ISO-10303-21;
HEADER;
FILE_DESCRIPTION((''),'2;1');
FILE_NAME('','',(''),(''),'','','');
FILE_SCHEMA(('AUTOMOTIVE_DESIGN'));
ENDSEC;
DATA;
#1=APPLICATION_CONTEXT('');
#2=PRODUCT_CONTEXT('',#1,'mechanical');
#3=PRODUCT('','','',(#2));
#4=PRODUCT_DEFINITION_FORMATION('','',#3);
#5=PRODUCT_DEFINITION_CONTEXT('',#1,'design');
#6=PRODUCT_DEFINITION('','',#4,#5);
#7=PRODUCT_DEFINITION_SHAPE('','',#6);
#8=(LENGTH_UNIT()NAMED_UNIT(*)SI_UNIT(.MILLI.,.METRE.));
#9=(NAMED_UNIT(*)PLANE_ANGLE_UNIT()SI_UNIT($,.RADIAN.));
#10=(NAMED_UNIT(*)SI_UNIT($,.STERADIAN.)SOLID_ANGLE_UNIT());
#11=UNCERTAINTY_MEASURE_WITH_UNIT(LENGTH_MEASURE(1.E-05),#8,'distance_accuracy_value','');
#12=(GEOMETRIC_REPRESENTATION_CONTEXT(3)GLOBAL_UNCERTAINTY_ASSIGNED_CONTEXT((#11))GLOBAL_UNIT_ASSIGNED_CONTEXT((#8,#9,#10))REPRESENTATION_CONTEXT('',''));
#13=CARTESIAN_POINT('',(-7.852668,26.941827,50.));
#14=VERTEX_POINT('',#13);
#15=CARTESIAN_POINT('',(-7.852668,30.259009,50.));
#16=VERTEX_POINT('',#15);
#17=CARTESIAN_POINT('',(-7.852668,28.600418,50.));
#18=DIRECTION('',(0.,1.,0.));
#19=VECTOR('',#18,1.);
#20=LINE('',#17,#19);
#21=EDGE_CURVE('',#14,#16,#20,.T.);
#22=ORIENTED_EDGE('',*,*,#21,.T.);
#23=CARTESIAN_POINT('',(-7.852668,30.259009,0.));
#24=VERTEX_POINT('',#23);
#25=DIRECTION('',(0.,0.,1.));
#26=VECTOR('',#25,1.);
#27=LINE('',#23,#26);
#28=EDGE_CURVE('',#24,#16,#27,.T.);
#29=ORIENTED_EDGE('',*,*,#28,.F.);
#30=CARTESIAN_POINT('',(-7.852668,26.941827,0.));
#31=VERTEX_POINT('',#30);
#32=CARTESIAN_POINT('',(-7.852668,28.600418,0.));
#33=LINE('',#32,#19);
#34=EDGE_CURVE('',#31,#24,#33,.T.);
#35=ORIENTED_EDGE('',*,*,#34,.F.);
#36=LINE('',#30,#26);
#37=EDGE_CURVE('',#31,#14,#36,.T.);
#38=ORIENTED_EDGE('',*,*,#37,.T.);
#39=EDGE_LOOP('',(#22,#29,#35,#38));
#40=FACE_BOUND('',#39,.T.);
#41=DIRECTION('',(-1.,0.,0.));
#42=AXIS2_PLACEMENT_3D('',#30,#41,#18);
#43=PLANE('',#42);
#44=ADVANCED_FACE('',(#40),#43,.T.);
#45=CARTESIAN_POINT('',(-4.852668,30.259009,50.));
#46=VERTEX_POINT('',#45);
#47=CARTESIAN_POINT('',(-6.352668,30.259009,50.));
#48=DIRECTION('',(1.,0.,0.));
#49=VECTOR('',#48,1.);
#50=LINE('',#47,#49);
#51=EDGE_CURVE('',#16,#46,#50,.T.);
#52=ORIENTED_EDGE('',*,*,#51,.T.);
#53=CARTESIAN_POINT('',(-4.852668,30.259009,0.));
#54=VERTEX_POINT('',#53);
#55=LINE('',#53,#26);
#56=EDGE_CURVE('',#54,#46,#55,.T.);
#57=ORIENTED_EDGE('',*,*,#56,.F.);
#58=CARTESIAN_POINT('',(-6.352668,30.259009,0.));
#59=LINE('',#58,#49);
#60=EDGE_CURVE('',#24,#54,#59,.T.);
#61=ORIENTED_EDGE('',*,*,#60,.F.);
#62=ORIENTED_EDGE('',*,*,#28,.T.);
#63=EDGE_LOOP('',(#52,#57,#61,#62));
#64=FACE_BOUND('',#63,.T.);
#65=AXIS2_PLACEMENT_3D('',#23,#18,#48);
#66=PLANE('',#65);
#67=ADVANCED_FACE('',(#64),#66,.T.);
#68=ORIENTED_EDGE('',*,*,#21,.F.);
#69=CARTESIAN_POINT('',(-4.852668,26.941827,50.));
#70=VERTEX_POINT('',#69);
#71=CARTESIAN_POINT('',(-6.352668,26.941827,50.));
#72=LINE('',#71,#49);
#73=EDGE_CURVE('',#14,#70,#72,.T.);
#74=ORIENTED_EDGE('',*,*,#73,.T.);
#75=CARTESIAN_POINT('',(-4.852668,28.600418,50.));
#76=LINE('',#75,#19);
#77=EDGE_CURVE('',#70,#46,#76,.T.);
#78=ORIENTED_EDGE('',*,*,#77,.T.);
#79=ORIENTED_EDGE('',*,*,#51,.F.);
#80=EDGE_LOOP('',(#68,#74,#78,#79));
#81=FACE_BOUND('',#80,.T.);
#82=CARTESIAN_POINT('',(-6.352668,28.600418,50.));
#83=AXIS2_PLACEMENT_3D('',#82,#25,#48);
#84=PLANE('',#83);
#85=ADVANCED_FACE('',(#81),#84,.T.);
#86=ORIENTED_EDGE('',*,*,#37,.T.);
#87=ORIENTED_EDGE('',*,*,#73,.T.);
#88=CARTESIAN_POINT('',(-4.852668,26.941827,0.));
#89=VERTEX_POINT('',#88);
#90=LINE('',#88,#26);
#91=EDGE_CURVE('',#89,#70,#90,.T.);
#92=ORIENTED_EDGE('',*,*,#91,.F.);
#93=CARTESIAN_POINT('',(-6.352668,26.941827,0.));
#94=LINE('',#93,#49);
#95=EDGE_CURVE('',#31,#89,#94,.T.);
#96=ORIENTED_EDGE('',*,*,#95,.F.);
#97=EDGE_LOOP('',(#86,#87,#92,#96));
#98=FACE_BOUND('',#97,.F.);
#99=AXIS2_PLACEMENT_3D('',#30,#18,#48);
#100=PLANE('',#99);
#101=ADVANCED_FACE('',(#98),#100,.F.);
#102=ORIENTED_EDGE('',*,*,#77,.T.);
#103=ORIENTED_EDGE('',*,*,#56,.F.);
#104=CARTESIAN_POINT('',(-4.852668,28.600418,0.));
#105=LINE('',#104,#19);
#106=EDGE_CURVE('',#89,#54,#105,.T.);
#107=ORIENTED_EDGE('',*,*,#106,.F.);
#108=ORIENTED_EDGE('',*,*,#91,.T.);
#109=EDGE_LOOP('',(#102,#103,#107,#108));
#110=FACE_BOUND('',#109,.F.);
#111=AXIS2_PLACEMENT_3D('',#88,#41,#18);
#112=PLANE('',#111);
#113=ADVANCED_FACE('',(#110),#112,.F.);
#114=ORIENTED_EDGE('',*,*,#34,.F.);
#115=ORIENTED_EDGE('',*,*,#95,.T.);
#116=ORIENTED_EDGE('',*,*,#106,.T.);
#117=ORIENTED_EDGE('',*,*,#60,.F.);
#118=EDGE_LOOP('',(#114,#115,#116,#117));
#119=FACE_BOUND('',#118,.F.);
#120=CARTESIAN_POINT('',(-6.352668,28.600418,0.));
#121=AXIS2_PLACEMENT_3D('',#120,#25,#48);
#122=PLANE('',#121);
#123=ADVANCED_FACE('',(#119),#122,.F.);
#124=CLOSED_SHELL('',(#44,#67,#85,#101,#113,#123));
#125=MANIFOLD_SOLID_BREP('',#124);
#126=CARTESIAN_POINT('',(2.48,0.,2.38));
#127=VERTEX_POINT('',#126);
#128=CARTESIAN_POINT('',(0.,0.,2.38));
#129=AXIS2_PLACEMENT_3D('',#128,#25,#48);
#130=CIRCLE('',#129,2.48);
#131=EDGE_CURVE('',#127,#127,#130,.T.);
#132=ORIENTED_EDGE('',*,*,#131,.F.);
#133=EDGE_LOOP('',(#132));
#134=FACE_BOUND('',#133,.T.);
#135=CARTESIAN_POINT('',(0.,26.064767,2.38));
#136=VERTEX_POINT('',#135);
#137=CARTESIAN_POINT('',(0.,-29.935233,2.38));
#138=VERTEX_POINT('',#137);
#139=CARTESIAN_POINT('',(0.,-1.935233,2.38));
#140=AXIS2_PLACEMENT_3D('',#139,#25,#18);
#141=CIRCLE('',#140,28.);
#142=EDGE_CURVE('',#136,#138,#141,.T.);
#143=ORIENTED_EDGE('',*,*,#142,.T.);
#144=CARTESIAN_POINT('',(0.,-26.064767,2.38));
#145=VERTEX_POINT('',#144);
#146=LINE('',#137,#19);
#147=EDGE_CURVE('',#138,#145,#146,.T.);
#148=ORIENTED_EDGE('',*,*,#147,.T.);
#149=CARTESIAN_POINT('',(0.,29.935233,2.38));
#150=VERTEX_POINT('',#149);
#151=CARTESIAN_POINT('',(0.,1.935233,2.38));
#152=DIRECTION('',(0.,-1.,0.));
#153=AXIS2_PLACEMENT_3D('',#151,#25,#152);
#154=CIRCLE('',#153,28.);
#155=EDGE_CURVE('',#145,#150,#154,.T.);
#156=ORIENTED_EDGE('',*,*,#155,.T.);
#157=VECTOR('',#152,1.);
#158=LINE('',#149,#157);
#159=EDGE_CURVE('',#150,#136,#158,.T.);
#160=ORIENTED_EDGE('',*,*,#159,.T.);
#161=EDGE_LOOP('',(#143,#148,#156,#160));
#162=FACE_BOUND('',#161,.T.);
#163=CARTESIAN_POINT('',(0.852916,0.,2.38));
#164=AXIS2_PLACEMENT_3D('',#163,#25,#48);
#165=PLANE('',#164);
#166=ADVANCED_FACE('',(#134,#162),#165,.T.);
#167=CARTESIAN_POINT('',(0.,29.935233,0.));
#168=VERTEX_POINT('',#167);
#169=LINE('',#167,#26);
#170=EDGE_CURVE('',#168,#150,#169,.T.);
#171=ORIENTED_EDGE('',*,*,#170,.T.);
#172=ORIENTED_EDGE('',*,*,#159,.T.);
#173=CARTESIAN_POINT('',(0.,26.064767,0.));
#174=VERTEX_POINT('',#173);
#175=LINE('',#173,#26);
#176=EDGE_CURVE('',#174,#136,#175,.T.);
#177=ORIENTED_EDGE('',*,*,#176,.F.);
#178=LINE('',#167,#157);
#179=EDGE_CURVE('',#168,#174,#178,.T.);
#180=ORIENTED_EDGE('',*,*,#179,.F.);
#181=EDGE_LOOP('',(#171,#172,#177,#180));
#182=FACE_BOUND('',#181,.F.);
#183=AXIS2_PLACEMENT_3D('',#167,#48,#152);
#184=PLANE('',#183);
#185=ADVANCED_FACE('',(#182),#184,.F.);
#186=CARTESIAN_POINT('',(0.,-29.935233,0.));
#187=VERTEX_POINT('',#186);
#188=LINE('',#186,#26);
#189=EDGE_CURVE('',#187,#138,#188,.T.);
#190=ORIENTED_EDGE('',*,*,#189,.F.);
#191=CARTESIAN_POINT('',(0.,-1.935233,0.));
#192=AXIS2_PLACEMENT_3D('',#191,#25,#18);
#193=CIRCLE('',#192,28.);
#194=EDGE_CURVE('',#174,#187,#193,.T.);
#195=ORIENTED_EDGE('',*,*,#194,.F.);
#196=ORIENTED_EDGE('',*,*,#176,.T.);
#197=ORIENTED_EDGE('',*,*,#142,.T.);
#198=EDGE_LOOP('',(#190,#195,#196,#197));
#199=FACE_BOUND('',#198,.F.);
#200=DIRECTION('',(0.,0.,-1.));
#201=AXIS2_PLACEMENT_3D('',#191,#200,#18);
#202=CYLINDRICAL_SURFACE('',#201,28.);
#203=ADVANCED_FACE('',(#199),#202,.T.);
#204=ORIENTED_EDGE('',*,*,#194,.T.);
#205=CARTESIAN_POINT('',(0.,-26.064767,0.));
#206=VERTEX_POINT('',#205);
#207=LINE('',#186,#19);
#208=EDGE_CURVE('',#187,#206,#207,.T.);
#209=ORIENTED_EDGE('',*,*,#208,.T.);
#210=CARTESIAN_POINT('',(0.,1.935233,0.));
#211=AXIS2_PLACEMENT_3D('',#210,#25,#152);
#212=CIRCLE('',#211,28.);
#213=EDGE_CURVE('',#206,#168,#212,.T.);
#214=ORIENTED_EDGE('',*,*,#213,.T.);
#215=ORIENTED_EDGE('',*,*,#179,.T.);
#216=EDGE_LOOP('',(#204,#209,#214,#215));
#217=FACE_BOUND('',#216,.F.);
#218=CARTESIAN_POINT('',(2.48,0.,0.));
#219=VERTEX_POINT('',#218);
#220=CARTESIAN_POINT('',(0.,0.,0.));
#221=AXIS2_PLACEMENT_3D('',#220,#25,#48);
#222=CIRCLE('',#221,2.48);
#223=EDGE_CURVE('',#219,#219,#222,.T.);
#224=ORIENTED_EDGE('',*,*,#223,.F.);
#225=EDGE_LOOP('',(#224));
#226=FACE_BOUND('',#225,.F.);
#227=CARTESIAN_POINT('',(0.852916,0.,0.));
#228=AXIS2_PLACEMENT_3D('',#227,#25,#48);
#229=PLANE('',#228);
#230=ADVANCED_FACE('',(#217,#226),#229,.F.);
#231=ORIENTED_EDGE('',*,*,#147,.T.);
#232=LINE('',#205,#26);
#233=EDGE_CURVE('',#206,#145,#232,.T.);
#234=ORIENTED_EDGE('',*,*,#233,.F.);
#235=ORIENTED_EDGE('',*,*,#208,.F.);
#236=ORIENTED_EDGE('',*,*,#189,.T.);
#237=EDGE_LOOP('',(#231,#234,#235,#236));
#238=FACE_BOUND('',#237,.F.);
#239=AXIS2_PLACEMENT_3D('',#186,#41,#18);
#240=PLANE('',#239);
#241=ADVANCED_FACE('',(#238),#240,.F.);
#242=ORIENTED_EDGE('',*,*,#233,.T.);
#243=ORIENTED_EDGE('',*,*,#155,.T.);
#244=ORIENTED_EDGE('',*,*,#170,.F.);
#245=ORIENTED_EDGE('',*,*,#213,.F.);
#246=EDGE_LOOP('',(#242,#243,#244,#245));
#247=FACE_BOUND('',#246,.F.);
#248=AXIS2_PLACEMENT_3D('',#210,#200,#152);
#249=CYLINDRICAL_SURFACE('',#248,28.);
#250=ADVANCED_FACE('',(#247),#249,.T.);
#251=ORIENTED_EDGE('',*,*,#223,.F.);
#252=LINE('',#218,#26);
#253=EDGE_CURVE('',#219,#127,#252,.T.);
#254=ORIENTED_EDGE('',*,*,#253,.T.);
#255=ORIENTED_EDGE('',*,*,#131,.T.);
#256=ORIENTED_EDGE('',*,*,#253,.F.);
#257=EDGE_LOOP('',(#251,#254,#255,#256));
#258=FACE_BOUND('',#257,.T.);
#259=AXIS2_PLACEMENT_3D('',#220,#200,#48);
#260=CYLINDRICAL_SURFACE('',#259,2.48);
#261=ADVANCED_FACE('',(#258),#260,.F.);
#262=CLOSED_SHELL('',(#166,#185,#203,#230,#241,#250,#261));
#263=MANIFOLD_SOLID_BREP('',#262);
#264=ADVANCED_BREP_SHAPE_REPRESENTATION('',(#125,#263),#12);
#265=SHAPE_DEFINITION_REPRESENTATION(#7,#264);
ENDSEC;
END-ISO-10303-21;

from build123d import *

# Parameters (mm, degrees)
F0_R     = 2.48
F1_DEPTH = 2.38
F0_W     = 3
F0_H     = 3.317181
F2_DEPTH = 50


with BuildPart() as f1:
    # F0 (on Top) → F1 (new body)
    with BuildSketch(Plane.XY):
        with BuildLine():
            ThreePointArc((0, -26.064767), (18.430573, -18.430573), (26.064767, 0))
            ThreePointArc((26.064767, 0), (18.430573, 18.430573), (0, 26.064767))
            ThreePointArc((0, 26.064767), (-26.064767, 0), (0, -26.064767))
        make_face()
        Circle(F0_R, mode=Mode.SUBTRACT)
        with BuildLine():
            ThreePointArc((0, -26.064767), (-26.064767, 0), (0, 26.064767))
            ThreePointArc((0, 26.064767), (-28, -1.935233), (0, -29.935233))
            Line((0, -29.935233), (0, -26.064767))
        make_face()
        with BuildLine():
            ThreePointArc((0, 26.064767), (18.430573, 18.430573), (26.064767, 0))
            ThreePointArc((26.064767, 0), (18.430573, -18.430573), (0, -26.064767))
            ThreePointArc((0, -26.064767), (28, 1.935233), (0, 29.935233))
            Line((0, 29.935233), (0, 26.064767))
        make_face()
    extrude(amount=F1_DEPTH)


with BuildPart() as f2:
    # F0 (on Top) → F2 (new body)
    with BuildSketch(Plane.XY):
        with Locations((-6.352668, 28.600418)):
            Rectangle(F0_W, F0_H)
    extrude(amount=F2_DEPTH)


solid = Compound([f1.part, f2.part])
